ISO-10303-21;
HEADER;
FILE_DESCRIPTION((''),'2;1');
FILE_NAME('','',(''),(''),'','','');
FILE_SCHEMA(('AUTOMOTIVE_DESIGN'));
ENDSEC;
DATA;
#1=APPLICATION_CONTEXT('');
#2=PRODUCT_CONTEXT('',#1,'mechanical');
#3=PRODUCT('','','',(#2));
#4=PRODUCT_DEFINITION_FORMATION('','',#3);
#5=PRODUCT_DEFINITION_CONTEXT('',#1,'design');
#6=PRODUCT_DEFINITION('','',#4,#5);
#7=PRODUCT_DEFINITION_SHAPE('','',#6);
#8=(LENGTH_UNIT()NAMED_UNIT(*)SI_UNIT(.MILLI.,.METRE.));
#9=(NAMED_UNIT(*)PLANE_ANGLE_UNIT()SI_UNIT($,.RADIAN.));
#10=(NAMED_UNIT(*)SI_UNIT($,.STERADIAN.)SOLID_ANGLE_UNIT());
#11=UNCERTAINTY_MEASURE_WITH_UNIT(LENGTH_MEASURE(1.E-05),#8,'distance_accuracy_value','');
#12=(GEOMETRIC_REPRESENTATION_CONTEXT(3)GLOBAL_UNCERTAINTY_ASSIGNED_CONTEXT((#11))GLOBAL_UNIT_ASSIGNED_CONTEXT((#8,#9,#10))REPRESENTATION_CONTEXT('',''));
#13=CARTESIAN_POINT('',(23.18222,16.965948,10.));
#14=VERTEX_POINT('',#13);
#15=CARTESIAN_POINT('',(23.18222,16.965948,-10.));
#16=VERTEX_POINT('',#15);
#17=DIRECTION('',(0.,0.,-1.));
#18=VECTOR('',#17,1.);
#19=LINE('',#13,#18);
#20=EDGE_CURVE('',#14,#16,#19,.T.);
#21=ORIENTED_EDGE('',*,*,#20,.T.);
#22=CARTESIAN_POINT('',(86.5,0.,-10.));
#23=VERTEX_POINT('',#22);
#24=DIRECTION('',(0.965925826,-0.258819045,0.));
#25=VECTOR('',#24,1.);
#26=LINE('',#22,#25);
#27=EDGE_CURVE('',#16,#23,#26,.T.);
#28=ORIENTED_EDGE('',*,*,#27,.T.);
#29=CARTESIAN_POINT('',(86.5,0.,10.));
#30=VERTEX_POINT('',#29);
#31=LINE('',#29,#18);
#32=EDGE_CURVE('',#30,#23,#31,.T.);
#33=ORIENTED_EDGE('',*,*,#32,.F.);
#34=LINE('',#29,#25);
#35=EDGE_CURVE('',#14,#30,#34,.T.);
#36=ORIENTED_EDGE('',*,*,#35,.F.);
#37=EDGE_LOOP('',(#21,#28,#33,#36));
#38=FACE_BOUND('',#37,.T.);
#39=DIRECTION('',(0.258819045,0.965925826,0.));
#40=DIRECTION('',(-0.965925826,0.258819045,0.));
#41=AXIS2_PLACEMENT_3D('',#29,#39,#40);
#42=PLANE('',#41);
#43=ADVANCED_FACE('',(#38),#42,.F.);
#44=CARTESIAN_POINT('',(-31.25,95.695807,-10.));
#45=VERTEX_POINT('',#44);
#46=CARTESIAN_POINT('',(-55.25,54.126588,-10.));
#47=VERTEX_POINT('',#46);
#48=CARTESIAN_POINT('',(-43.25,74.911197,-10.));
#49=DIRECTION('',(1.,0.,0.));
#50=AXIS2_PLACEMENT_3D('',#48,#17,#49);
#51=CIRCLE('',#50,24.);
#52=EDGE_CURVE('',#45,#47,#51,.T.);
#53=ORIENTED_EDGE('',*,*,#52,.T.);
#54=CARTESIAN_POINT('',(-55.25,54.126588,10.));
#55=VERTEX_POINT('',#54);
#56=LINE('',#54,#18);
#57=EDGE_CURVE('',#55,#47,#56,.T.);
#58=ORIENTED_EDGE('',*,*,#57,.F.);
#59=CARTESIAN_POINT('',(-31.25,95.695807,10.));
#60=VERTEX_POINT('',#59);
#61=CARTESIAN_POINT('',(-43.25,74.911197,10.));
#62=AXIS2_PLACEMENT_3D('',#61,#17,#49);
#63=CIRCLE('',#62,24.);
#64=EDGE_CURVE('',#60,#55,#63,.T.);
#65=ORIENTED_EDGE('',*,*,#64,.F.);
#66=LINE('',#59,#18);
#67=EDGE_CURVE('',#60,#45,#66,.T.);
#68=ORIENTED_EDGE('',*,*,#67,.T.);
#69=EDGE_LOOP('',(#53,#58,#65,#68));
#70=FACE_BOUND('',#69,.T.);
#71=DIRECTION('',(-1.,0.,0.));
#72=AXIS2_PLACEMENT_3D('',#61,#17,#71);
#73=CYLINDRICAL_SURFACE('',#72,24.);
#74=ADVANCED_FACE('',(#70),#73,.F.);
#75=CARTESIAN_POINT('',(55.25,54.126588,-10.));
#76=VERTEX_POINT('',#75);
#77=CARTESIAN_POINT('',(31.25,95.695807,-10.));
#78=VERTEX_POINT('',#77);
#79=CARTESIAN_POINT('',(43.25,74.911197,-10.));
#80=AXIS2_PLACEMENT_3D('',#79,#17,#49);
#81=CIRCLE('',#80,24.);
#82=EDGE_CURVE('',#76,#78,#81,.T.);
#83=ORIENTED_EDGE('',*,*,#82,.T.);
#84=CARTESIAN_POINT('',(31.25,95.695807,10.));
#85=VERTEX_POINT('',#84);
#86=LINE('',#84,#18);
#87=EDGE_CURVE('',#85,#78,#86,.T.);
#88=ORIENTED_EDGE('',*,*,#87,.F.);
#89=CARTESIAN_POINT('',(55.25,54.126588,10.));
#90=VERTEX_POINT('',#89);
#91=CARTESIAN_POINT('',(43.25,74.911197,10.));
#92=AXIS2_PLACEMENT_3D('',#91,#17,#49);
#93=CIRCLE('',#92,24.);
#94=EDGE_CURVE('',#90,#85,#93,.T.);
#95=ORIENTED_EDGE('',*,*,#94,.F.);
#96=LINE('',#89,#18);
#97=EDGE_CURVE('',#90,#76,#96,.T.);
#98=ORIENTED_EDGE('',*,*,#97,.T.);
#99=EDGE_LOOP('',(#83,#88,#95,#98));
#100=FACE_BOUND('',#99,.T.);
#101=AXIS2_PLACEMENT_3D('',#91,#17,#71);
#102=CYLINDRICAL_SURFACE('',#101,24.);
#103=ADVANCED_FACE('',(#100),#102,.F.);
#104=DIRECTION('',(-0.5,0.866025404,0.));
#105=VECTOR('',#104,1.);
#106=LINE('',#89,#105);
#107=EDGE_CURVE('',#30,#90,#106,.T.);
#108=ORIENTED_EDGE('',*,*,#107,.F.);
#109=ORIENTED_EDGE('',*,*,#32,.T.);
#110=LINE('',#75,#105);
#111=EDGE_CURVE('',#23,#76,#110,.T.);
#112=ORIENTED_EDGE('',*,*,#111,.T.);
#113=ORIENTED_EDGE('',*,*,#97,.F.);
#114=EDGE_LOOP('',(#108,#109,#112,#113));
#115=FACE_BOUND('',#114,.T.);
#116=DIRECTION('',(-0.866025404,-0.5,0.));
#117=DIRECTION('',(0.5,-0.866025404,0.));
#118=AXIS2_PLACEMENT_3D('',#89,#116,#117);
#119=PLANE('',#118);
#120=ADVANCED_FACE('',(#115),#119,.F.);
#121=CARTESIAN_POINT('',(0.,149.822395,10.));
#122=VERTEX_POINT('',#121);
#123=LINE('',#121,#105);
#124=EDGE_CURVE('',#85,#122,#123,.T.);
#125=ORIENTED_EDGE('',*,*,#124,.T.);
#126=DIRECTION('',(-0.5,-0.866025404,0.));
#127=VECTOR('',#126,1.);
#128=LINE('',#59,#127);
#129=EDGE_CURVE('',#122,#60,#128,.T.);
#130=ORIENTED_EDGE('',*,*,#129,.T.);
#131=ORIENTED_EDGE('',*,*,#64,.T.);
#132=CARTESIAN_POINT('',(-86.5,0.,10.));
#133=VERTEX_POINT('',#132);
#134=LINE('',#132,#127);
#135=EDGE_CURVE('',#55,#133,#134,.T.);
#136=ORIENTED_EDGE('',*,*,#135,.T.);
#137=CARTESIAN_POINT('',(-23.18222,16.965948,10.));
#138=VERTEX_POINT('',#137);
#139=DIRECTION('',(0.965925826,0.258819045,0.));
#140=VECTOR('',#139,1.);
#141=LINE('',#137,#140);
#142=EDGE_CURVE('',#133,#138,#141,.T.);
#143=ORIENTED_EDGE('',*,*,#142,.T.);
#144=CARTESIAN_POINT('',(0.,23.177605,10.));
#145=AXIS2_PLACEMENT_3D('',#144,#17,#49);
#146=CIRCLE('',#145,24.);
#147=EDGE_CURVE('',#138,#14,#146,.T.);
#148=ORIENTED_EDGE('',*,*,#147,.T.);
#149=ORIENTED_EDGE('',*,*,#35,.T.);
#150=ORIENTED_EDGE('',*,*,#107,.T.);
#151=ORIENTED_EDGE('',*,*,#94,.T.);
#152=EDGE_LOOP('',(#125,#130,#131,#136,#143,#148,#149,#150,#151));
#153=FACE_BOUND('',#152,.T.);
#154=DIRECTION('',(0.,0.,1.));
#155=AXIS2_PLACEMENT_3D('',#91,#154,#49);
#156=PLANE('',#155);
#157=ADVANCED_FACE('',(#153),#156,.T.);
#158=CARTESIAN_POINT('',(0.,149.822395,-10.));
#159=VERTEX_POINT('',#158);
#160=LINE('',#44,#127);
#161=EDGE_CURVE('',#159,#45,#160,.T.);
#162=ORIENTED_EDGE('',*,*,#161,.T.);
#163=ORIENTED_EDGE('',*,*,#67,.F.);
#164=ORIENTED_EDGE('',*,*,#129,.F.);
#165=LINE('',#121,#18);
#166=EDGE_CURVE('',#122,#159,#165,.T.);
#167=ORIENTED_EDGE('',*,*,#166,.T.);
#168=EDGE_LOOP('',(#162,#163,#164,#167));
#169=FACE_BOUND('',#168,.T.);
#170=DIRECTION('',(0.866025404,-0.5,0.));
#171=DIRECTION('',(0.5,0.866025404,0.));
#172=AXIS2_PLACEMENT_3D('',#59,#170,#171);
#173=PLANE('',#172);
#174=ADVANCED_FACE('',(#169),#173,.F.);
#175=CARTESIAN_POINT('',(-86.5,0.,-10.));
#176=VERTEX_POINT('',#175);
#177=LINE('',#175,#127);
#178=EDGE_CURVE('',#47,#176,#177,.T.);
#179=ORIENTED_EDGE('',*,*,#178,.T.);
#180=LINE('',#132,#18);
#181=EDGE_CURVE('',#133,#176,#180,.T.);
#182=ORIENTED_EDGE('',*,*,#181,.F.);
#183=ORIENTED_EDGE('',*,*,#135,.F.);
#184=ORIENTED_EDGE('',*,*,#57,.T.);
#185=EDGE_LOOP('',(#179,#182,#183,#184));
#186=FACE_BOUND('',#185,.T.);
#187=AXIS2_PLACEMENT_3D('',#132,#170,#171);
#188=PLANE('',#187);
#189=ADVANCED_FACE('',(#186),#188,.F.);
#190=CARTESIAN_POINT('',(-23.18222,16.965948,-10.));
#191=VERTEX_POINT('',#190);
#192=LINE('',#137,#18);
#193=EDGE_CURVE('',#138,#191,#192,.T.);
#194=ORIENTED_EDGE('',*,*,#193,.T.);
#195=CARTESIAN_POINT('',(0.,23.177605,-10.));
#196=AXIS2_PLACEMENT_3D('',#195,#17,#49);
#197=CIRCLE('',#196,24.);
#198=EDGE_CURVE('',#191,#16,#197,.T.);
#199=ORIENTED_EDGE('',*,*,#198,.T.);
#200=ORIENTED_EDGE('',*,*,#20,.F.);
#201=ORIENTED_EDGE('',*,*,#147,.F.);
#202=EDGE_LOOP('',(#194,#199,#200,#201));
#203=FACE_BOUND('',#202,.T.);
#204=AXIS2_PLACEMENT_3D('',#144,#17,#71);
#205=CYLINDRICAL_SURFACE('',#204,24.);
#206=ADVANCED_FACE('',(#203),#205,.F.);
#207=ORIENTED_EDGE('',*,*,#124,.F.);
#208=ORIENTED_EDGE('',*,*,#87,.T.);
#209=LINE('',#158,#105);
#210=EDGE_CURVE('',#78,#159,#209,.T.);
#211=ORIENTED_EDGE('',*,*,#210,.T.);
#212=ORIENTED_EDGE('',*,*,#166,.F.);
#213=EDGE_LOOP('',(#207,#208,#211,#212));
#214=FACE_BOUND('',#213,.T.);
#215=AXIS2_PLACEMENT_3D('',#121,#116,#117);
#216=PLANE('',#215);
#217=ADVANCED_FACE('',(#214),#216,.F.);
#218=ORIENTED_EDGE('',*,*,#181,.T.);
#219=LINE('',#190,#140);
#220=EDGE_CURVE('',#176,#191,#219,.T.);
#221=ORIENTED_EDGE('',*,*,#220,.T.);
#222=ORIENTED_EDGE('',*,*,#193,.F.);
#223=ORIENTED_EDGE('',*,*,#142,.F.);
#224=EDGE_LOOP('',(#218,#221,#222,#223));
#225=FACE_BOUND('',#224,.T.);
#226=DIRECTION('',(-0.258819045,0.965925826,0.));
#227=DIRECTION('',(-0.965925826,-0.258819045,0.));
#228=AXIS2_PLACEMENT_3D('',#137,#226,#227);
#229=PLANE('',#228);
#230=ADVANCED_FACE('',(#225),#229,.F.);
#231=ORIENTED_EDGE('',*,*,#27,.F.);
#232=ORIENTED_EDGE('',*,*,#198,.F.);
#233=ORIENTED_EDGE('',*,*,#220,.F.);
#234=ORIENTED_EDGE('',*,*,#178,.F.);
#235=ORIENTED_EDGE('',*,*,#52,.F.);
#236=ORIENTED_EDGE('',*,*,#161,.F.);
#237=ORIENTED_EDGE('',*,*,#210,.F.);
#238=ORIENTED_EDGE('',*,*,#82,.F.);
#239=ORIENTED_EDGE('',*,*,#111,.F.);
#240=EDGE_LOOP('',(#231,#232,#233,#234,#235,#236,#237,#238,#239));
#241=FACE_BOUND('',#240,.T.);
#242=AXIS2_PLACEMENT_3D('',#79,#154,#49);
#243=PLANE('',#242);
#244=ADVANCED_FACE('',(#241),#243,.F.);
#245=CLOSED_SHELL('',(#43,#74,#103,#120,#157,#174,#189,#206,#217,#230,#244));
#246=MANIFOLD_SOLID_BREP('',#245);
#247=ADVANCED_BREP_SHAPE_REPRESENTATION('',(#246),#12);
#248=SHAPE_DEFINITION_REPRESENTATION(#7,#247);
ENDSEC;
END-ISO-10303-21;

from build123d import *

# Parameters (mm, degrees)
BOSS_EXTRUDE1_DEPTH = 10


with BuildPart() as part:
    # Sketch1 → Boss-Extrude1 (new, symmetric)
    with BuildSketch(Plane.XY):
        with BuildLine():
            Line((0, 149.822394855), (31.25, 95.695807118))
            ThreePointArc((31.25, 95.695807118), (22.465390309, 62.911197427), (55.25, 54.126587737))
            Line((55.25, 54.126587737), (86.5, 0))
            Line((86.5, 0), (23.182219831, 16.965948063))
            ThreePointArc((23.182219831, 16.965948063), (0, 47.177605145), (-23.182219831, 16.965948063))
            Line((-23.182219831, 16.965948063), (-86.5, 0))
            Line((-86.5, 0), (-55.25, 54.126587737))
            ThreePointArc((-55.25, 54.126587737), (-22.465390309, 62.911197427), (-31.25, 95.695807118))
            Line((-31.25, 95.695807118), (0, 149.822394855))
        make_face()
    extrude(amount=BOSS_EXTRUDE1_DEPTH, both=True)


solid = part.part
